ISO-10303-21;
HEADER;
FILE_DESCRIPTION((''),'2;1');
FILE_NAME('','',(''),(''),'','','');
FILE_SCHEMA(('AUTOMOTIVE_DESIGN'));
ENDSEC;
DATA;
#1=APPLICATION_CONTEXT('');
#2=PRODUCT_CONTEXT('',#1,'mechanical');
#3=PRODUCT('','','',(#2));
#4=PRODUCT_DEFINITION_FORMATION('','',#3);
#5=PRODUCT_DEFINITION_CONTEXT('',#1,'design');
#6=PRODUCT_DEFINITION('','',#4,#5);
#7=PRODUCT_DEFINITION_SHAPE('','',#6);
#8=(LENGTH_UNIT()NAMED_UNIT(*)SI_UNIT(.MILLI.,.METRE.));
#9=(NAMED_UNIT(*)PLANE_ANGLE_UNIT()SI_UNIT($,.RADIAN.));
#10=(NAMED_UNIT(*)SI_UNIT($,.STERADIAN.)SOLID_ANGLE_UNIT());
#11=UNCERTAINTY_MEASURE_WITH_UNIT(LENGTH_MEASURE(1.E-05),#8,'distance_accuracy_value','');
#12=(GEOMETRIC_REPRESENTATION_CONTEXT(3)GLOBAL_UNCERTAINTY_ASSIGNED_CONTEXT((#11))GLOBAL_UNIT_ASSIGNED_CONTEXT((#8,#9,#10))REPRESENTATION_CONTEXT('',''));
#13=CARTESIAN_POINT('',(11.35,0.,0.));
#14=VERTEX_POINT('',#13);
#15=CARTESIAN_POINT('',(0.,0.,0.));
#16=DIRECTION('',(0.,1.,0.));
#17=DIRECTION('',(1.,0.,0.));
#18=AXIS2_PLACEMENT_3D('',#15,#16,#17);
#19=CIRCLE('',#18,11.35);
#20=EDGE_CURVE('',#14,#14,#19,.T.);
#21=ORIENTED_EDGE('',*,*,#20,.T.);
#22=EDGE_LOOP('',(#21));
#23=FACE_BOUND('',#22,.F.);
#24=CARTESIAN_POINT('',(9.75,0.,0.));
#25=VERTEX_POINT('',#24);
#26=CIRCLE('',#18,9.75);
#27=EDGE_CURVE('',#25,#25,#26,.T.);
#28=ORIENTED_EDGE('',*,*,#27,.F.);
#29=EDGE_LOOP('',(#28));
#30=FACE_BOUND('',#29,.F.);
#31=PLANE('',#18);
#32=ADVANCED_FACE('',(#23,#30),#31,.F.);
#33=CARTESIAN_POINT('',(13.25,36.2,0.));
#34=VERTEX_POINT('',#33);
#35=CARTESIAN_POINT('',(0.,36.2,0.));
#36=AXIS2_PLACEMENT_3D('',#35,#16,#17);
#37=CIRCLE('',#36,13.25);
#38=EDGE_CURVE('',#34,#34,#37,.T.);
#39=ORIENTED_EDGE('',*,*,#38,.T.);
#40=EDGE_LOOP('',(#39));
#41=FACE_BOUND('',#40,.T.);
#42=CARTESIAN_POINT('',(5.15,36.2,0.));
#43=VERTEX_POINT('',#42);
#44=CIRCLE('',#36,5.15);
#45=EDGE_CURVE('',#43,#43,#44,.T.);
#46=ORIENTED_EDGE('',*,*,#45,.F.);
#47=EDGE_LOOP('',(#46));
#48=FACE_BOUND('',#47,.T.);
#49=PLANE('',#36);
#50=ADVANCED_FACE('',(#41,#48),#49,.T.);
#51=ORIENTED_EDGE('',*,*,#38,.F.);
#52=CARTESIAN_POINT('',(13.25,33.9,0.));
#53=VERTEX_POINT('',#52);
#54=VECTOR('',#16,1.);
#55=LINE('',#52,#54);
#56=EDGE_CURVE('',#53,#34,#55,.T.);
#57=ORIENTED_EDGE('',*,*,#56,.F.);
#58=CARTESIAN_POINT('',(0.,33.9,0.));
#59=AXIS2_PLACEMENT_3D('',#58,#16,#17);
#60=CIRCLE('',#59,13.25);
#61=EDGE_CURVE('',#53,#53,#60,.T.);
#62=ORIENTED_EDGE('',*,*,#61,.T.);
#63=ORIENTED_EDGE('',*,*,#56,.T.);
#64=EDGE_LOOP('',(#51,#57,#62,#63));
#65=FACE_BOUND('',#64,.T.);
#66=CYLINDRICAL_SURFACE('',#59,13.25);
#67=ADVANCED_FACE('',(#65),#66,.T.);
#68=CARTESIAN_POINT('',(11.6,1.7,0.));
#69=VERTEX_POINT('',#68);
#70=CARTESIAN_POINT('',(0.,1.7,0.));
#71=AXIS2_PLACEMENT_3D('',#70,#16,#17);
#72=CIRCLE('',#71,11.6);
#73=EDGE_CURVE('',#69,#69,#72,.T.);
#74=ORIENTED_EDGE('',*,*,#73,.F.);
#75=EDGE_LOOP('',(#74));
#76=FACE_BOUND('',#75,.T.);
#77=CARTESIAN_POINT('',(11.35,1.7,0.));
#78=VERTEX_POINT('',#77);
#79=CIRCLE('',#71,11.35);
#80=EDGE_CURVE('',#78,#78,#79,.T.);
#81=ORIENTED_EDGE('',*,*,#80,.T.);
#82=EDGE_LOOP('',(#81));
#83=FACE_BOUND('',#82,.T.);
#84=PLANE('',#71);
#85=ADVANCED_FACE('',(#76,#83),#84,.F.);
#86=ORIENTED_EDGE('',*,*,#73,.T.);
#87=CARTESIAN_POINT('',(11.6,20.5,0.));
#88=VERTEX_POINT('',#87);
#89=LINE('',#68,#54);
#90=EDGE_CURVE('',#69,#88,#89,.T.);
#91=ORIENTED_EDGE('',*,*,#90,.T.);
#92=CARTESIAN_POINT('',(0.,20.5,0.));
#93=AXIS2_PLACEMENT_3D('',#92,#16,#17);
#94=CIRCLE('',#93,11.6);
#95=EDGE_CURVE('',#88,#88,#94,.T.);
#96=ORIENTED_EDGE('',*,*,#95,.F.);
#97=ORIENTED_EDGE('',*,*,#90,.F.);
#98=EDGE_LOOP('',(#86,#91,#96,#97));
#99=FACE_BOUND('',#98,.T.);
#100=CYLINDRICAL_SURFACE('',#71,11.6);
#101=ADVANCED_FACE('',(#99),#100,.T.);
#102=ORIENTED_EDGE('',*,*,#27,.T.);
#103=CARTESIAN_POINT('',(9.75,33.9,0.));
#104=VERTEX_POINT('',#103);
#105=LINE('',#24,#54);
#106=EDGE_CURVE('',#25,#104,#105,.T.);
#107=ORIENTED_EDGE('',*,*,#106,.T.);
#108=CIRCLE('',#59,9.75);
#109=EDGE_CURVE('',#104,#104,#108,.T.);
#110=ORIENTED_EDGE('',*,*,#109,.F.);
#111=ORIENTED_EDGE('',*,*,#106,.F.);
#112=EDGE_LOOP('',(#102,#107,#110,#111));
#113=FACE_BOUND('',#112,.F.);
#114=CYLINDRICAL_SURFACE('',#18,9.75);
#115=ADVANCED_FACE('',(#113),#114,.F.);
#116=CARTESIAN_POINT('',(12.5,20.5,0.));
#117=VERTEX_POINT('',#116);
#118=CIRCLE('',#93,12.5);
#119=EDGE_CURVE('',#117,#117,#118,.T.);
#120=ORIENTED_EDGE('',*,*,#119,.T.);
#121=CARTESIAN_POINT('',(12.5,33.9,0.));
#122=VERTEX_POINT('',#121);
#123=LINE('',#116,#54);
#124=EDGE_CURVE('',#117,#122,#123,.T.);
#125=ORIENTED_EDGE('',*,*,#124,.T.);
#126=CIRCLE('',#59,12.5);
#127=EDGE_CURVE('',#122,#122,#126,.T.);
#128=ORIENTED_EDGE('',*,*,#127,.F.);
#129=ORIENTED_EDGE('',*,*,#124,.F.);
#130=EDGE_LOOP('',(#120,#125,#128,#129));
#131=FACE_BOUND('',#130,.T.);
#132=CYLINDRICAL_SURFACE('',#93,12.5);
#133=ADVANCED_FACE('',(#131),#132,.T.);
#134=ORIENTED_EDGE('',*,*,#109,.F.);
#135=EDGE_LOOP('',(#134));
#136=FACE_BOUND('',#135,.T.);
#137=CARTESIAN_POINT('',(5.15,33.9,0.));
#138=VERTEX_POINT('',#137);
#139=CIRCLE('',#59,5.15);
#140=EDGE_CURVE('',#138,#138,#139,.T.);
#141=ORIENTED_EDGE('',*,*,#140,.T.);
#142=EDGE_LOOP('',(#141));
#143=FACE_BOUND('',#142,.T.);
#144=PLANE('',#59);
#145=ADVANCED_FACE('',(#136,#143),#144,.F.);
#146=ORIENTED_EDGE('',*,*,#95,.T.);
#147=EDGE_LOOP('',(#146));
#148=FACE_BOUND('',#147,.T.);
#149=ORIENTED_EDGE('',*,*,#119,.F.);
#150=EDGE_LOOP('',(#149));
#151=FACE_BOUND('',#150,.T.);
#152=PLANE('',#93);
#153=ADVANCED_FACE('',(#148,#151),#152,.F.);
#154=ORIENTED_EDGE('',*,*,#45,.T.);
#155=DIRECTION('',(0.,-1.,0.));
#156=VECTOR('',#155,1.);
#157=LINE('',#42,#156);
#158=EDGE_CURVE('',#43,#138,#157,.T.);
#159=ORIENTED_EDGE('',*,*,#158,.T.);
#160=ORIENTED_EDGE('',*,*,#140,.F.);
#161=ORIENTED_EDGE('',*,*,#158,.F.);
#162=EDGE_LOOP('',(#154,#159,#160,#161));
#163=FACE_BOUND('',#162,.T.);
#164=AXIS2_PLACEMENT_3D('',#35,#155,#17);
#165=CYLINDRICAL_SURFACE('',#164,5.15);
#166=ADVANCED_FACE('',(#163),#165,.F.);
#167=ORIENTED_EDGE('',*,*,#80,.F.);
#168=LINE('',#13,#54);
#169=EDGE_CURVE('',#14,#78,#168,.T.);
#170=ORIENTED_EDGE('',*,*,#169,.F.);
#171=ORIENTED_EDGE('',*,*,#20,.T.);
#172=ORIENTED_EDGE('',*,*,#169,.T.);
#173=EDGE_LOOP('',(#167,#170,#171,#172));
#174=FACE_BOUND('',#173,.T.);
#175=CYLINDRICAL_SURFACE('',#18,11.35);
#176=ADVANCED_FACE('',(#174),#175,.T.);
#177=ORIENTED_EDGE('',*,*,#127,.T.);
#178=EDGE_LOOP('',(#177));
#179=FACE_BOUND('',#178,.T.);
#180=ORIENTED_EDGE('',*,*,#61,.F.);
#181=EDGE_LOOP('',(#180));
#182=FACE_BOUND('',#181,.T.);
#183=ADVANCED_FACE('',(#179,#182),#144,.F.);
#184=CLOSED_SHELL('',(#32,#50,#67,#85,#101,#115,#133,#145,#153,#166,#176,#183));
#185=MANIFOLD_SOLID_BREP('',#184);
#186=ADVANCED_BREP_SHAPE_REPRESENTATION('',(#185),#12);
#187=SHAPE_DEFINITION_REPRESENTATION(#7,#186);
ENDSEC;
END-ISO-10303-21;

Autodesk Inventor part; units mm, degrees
ref_plane "YZ Plane" through (0, 0, 0) normal (1, 0, 0) x (0, 1, 0)
ref_plane "XZ Plane" through (0, 0, 0) normal (0, 1, 0) x (-1, 0, 0)
ref_plane "XY Plane" through (0, 0, 0) normal (0, 0, 1) x (1, 0, 0)
sketch "Sketch6" plane through (0, 0, 0) normal (0, 0, 1) x (1, 0, 0)
  line L0 (11.35, 0) -> (11.35, 1.7)
  line L1 (11.35, 1.7) -> (11.6, 1.7)
  line L2 (11.6, 1.7) -> (11.6, 20.5)
  line L3 (11.6, 20.5) -> (12.5, 20.5)
  line L4 (12.5, 20.5) -> (12.5, 33.9)
  line L5 (12.5, 33.9) -> (13.25, 33.9)
  line L6 (13.25, 33.9) -> (13.25, 36.2)
  line L7 (11.35, 0) -> (9.75, 0)
  line L8 (9.75, 0) -> (9.75, 33.9)
  line L9 (13.25, 36.2) -> (5.15, 36.2)
  line L10 (5.15, 36.2) -> (5.15, 33.9)
  line L11 (5.15, 33.9) -> (9.75, 33.9)
  line L12 (0, -7.24) -> (0, 43.44) construction
  point P0 (0, 0)
  dimension "d7" = 11.35
  dimension "d8" = 1.7
  dimension "d9" = 11.6
  dimension "d11" = 12.5
  dimension "d13" = 13.25
  dimension "d14" = 2.3
  dimension "d16" = 1.6
  dimension "d17" = 8.1
  dimension "d18" = 0.25
  dimension "d19" = 15.7
  dimension "d20" = 36.2
revolve "Revolution1" add sketch "Sketch6" angle 360 about axis through (0, -10, 0) along (0, 1, 0)
properties part number "Eye-Piece"
